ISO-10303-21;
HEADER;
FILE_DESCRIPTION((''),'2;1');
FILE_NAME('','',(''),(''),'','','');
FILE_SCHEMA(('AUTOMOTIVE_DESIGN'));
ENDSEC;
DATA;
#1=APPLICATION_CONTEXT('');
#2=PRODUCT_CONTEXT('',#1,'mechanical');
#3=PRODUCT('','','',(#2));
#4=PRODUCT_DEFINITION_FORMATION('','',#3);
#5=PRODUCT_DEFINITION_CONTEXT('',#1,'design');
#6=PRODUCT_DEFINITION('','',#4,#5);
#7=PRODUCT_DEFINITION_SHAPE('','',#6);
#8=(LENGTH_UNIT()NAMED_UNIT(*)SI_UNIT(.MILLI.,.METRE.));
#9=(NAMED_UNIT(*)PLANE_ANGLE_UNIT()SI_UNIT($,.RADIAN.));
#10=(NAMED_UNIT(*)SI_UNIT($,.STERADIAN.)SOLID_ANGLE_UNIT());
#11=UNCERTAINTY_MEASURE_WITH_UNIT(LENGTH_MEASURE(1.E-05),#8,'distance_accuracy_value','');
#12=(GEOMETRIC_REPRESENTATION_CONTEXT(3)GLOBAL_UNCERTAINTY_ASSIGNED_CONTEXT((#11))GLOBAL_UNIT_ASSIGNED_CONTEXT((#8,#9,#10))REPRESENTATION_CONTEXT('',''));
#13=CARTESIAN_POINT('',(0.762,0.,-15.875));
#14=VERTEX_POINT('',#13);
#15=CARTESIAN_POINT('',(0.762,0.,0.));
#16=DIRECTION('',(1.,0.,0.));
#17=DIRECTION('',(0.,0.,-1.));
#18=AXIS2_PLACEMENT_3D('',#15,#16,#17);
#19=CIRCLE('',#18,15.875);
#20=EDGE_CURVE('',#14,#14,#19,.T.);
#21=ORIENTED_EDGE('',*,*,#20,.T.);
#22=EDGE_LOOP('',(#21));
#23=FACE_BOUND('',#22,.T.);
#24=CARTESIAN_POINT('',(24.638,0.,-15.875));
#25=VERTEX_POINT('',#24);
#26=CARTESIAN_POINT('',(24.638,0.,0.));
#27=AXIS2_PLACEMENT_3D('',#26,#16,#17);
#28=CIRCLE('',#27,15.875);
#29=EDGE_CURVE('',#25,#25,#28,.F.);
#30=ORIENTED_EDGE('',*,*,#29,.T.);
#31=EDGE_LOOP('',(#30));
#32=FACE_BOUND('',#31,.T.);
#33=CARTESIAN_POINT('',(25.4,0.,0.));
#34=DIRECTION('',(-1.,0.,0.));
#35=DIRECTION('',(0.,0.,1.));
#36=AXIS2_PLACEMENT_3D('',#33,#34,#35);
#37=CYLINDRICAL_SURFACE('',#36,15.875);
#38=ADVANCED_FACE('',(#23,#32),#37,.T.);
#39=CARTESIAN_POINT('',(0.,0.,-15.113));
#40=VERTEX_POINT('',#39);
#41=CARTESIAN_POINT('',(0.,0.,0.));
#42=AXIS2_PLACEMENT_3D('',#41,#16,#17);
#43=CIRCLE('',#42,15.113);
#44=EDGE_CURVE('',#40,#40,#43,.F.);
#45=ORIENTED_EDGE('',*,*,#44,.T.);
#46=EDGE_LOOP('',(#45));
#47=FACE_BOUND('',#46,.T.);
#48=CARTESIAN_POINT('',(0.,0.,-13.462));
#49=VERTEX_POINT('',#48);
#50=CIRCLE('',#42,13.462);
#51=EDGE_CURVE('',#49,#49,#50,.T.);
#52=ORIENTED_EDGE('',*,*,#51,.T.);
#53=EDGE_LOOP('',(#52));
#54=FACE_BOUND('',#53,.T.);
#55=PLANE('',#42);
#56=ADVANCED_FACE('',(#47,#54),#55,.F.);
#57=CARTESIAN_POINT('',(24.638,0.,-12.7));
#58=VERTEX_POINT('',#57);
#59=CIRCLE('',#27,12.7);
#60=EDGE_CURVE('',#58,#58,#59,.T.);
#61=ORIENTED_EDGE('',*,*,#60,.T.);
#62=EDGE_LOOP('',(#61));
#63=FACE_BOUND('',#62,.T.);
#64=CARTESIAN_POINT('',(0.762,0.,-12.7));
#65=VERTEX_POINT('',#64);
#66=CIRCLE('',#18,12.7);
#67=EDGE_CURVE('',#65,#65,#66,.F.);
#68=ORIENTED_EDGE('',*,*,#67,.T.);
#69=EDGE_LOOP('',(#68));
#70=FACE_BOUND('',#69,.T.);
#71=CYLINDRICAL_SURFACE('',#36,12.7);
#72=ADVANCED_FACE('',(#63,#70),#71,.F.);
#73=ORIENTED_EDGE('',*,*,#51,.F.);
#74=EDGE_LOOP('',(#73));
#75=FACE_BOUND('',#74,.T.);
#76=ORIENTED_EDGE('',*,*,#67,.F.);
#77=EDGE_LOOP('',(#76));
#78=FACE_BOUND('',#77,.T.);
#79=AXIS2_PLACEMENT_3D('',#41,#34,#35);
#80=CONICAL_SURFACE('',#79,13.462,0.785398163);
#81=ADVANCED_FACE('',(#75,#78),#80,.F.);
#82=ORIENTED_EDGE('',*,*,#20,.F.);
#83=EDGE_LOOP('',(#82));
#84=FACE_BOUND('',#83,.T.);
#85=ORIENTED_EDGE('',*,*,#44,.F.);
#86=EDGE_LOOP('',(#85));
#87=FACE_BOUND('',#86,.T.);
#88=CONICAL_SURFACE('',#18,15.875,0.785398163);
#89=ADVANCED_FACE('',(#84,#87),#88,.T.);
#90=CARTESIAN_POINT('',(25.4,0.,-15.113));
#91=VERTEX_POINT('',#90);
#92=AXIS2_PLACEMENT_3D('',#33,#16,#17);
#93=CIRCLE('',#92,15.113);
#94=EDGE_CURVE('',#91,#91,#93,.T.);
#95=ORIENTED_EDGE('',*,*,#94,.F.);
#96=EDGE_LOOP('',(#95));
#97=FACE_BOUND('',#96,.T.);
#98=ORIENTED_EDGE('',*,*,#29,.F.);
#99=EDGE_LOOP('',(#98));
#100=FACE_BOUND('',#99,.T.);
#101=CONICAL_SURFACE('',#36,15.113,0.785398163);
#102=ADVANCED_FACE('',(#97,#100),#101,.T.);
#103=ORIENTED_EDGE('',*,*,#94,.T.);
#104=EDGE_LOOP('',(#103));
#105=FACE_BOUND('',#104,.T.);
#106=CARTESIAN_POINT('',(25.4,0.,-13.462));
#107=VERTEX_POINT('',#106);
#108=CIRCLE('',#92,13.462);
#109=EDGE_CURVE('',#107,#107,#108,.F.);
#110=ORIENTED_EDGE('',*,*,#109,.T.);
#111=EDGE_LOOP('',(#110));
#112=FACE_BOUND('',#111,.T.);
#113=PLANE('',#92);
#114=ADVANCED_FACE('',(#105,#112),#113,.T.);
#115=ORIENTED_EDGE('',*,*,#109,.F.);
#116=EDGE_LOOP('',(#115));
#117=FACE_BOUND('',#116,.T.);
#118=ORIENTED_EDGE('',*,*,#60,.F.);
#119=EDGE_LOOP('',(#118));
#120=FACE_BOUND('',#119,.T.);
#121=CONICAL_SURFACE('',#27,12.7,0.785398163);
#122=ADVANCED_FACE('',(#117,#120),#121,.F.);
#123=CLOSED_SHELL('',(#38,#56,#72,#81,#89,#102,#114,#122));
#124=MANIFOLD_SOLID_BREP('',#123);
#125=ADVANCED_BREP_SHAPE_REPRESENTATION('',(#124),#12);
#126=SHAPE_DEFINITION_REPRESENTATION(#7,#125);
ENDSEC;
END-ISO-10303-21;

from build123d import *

# Parameters (mm, degrees)
SKETCH1_R           = 15.875
SKETCH1_R_2         = 12.7
BOSS_EXTRUDE1_DEPTH = 25.4
CHAMFER1_SIZE       = 0.762


with BuildPart() as part:
    # Sketch1 → Boss-Extrude1 (new body)
    with BuildSketch(Plane(origin=(0, 0, 0), x_dir=(0, 0, -1), z_dir=(1, 0, 0))):
        Circle(SKETCH1_R)
        Circle(SKETCH1_R_2, mode=Mode.SUBTRACT)
    extrude(amount=BOSS_EXTRUDE1_DEPTH)

    # Chamfer1
    chamfer1_edges = [part.edges().sort_by_distance(p)[0] for p in [
        (0, 0, 15.875),
        (25.4, 0, 15.875),
        (0, 0, 12.7),
        (25.4, 0, 12.7),
    ]]
    chamfer(chamfer1_edges, length=CHAMFER1_SIZE)


solid = part.part
